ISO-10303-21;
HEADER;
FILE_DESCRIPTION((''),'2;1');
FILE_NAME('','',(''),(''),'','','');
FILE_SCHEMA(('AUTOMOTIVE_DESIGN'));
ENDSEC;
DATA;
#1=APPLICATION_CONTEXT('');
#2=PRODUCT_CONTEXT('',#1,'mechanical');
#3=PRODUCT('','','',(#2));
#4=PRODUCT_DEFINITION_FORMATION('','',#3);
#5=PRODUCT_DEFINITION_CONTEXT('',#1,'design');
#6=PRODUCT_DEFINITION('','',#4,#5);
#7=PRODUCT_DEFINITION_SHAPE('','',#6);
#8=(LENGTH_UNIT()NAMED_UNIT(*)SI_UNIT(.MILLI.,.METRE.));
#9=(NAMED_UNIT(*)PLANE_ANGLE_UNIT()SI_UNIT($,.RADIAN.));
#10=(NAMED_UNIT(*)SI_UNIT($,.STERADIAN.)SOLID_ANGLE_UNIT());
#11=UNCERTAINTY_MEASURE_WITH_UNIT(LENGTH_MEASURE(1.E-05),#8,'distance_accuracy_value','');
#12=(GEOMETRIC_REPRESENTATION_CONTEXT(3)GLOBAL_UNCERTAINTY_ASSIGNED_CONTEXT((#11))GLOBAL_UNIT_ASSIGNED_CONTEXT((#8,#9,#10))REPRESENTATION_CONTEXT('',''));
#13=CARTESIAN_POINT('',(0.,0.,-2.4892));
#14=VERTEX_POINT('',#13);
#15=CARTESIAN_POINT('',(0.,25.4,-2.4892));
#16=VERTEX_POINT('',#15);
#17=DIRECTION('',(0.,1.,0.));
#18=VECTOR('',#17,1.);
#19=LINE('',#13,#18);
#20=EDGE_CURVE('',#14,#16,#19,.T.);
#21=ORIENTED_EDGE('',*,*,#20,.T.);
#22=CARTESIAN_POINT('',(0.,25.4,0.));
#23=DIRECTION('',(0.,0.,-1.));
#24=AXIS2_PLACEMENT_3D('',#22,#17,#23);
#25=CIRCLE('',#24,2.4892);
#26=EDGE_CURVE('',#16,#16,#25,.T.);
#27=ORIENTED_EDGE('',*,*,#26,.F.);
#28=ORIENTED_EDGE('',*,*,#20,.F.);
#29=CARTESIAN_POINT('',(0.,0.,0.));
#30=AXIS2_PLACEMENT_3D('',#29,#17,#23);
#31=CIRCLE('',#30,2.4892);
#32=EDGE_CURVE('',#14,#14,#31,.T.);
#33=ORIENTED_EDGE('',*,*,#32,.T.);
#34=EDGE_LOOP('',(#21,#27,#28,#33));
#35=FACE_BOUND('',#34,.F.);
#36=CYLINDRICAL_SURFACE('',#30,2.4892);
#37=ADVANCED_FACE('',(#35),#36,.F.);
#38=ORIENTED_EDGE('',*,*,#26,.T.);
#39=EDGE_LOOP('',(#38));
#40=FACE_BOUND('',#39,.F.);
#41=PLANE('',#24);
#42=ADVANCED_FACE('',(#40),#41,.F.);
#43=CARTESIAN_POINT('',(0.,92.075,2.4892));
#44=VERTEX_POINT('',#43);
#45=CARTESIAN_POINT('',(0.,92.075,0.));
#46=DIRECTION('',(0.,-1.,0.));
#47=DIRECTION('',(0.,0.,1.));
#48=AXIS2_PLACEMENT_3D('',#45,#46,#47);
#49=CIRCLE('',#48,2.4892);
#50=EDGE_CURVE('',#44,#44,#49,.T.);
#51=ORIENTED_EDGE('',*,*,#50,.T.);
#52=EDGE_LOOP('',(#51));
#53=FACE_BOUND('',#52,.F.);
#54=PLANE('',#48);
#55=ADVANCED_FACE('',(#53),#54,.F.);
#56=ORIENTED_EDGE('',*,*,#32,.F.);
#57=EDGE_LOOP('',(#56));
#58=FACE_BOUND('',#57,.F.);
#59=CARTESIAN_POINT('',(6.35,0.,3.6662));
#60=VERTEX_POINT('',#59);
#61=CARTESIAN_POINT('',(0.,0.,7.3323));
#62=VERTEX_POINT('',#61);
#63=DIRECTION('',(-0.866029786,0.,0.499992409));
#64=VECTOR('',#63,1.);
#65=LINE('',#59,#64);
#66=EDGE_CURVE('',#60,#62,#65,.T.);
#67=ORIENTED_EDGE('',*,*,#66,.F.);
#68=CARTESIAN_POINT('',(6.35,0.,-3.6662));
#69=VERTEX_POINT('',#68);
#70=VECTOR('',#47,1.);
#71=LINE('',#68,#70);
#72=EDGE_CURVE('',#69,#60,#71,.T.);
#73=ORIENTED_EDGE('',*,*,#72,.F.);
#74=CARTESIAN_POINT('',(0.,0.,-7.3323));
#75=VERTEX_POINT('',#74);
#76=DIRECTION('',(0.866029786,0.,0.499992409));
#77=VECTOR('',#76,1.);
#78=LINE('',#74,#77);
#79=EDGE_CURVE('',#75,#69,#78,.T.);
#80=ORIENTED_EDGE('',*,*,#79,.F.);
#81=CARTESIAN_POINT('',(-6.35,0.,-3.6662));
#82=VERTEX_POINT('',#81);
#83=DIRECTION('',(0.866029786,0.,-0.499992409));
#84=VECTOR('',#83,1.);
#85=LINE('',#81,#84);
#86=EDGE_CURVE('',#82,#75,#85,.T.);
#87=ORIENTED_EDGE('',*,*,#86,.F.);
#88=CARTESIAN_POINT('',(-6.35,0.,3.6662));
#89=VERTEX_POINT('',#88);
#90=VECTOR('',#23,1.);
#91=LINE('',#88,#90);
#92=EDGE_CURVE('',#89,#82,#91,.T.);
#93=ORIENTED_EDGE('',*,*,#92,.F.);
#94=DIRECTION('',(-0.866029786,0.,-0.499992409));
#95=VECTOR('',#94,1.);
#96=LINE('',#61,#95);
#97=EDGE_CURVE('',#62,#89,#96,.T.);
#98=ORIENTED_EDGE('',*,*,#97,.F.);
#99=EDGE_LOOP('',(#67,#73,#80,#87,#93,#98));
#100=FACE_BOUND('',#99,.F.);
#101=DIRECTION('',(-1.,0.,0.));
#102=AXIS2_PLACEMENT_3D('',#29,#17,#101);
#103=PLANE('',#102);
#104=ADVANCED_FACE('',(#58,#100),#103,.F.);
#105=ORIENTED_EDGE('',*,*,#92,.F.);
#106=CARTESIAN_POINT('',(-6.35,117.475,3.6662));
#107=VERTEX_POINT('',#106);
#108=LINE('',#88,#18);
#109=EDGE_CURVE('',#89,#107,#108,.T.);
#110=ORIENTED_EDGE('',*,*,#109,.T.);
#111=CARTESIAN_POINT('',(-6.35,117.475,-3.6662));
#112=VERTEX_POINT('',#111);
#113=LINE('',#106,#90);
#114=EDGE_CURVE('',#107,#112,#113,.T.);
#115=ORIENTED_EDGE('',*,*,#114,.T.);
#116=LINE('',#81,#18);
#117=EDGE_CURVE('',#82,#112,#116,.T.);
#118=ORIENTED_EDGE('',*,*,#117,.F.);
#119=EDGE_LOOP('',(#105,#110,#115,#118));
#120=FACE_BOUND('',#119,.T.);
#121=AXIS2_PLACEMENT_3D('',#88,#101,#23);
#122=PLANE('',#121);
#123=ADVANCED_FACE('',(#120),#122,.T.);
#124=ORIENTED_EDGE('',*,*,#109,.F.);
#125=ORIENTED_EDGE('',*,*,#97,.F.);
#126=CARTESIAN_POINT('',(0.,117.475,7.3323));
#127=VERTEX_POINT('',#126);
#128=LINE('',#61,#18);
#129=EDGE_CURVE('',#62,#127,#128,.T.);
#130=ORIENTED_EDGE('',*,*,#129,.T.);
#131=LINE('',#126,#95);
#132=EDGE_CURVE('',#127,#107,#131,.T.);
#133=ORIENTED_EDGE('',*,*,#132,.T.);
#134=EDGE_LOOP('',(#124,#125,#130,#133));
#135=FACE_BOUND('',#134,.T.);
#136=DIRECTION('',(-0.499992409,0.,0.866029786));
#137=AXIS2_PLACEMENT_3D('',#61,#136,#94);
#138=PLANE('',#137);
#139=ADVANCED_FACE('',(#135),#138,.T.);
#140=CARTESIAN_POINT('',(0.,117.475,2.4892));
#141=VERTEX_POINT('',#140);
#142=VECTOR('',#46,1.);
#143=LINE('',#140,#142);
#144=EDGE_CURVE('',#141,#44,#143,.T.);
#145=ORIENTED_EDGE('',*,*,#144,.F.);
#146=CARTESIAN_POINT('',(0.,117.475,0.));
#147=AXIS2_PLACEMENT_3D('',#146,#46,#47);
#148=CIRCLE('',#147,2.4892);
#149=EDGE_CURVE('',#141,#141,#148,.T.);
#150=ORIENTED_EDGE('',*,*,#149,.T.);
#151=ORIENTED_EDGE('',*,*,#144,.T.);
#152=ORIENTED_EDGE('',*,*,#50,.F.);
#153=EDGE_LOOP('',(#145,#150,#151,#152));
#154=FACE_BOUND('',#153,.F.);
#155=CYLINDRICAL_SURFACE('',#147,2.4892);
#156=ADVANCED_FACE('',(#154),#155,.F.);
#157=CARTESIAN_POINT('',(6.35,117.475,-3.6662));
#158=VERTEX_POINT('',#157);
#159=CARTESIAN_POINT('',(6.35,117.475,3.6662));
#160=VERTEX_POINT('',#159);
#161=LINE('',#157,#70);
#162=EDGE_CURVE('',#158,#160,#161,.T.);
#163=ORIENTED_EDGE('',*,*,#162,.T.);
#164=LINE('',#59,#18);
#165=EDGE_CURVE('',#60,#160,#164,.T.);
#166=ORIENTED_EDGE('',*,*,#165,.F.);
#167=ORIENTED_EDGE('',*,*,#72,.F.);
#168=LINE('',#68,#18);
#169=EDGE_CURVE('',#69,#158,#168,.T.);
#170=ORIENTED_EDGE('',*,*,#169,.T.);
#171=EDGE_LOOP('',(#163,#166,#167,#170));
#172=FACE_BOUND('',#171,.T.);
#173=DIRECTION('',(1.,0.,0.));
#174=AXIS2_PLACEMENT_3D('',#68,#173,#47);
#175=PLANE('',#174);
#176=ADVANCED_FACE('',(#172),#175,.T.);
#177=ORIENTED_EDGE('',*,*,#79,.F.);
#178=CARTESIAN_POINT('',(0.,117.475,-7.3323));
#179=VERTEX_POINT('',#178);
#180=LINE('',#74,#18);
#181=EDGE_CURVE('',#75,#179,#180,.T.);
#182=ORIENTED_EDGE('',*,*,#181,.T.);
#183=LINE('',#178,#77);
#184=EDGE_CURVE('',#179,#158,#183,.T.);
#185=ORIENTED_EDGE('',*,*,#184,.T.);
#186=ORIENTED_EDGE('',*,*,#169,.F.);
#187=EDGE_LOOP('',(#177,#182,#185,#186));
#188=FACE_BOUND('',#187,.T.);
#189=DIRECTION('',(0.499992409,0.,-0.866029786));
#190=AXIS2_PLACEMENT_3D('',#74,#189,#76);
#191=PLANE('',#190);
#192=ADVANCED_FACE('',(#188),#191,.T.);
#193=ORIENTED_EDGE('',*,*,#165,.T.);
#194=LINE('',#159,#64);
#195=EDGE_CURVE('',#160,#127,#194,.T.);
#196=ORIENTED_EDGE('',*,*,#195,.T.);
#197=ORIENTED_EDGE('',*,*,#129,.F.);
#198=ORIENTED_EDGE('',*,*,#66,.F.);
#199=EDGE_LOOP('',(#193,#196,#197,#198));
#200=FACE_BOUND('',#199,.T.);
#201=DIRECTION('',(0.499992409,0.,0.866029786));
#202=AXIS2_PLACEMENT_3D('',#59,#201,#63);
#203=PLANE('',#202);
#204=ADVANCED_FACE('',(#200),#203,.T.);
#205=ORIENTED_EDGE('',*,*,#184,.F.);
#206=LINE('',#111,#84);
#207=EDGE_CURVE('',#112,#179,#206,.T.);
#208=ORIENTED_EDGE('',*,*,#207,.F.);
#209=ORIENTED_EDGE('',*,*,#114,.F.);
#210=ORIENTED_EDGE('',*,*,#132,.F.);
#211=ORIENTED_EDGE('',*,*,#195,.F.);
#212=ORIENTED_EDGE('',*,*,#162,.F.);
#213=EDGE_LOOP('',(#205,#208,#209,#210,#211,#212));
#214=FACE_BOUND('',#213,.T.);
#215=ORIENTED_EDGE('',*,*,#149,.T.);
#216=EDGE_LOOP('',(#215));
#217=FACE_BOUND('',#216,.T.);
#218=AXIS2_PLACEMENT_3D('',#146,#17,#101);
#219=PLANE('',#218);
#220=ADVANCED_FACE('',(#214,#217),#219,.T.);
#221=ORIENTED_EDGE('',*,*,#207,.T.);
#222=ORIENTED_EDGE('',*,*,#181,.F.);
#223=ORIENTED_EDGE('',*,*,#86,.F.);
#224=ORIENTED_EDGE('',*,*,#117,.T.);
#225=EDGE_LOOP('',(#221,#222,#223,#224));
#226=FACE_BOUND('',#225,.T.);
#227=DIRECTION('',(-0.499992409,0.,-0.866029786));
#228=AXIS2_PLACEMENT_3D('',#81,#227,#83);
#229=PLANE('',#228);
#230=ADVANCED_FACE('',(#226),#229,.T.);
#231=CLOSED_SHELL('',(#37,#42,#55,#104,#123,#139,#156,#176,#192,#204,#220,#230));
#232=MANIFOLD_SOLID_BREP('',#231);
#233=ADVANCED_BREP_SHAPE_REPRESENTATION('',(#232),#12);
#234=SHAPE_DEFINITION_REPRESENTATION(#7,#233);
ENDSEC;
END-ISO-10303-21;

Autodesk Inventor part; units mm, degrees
ref_plane "YZ Plane" through (0, 0, 0) normal (1, 0, 0) x (0, 1, 0)
ref_plane "XZ Plane" through (0, 0, 0) normal (0, 1, 0) x (-1, 0, 0)
ref_plane "XY Plane" through (0, 0, 0) normal (0, 0, 1) x (1, 0, 0)
sketch "Sketch1" plane through (0, 0, 0) normal (0, 1, 0) x (-1, 0, 0)
  line L0 (6.35, -3.6662) -> (0, -7.3323)
  line L1 (0, -7.3323) -> (-6.35, -3.6662)
  line L2 (-6.35, -3.6662) -> (-6.35, 3.6662)
  line L3 (-6.35, 3.6662) -> (0, 7.3323)
  line L4 (0, 7.3323) -> (6.35, 3.6662)
  line L5 (6.35, 3.6662) -> (6.35, -3.6662)
  point P0 (0, 0)
  point P1 (0, 0)
  point P2 (0, 0)
  dimension "d0" = 12.7
extrude "Extrusion1" add sketch "Sketch1" along normal blind 117.475
sketch "Sketch2" plane through (0, 0, 0) normal (0, -1, 0) x (1, 0, 0)
  point P0 (0, 0)
  point P1 (0, 0)
hole "Hole1" at (0, 0, 0) direction (0, 1, 0) diameter 4.9784 depth 25.4 thread size "1/4-20 UNC" class "2B" standard "ANSI Unified Screw Threads"
sketch "Sketch3" plane through (0, 117.475, 0) normal (0, 1, 0) x (1, 0, 0)
  point P0 (0, 0)
  point P1 (0, 0)
hole "Hole2" at (0, 117.475, 0) direction (0, -1, 0) diameter 4.9784 depth 25.4 thread size "1/4-20 UNC" class "2B" standard "ANSI Unified Screw Threads"
properties part number "SHOT_1_009_HexShaft4" material "Aluminum 6061"
